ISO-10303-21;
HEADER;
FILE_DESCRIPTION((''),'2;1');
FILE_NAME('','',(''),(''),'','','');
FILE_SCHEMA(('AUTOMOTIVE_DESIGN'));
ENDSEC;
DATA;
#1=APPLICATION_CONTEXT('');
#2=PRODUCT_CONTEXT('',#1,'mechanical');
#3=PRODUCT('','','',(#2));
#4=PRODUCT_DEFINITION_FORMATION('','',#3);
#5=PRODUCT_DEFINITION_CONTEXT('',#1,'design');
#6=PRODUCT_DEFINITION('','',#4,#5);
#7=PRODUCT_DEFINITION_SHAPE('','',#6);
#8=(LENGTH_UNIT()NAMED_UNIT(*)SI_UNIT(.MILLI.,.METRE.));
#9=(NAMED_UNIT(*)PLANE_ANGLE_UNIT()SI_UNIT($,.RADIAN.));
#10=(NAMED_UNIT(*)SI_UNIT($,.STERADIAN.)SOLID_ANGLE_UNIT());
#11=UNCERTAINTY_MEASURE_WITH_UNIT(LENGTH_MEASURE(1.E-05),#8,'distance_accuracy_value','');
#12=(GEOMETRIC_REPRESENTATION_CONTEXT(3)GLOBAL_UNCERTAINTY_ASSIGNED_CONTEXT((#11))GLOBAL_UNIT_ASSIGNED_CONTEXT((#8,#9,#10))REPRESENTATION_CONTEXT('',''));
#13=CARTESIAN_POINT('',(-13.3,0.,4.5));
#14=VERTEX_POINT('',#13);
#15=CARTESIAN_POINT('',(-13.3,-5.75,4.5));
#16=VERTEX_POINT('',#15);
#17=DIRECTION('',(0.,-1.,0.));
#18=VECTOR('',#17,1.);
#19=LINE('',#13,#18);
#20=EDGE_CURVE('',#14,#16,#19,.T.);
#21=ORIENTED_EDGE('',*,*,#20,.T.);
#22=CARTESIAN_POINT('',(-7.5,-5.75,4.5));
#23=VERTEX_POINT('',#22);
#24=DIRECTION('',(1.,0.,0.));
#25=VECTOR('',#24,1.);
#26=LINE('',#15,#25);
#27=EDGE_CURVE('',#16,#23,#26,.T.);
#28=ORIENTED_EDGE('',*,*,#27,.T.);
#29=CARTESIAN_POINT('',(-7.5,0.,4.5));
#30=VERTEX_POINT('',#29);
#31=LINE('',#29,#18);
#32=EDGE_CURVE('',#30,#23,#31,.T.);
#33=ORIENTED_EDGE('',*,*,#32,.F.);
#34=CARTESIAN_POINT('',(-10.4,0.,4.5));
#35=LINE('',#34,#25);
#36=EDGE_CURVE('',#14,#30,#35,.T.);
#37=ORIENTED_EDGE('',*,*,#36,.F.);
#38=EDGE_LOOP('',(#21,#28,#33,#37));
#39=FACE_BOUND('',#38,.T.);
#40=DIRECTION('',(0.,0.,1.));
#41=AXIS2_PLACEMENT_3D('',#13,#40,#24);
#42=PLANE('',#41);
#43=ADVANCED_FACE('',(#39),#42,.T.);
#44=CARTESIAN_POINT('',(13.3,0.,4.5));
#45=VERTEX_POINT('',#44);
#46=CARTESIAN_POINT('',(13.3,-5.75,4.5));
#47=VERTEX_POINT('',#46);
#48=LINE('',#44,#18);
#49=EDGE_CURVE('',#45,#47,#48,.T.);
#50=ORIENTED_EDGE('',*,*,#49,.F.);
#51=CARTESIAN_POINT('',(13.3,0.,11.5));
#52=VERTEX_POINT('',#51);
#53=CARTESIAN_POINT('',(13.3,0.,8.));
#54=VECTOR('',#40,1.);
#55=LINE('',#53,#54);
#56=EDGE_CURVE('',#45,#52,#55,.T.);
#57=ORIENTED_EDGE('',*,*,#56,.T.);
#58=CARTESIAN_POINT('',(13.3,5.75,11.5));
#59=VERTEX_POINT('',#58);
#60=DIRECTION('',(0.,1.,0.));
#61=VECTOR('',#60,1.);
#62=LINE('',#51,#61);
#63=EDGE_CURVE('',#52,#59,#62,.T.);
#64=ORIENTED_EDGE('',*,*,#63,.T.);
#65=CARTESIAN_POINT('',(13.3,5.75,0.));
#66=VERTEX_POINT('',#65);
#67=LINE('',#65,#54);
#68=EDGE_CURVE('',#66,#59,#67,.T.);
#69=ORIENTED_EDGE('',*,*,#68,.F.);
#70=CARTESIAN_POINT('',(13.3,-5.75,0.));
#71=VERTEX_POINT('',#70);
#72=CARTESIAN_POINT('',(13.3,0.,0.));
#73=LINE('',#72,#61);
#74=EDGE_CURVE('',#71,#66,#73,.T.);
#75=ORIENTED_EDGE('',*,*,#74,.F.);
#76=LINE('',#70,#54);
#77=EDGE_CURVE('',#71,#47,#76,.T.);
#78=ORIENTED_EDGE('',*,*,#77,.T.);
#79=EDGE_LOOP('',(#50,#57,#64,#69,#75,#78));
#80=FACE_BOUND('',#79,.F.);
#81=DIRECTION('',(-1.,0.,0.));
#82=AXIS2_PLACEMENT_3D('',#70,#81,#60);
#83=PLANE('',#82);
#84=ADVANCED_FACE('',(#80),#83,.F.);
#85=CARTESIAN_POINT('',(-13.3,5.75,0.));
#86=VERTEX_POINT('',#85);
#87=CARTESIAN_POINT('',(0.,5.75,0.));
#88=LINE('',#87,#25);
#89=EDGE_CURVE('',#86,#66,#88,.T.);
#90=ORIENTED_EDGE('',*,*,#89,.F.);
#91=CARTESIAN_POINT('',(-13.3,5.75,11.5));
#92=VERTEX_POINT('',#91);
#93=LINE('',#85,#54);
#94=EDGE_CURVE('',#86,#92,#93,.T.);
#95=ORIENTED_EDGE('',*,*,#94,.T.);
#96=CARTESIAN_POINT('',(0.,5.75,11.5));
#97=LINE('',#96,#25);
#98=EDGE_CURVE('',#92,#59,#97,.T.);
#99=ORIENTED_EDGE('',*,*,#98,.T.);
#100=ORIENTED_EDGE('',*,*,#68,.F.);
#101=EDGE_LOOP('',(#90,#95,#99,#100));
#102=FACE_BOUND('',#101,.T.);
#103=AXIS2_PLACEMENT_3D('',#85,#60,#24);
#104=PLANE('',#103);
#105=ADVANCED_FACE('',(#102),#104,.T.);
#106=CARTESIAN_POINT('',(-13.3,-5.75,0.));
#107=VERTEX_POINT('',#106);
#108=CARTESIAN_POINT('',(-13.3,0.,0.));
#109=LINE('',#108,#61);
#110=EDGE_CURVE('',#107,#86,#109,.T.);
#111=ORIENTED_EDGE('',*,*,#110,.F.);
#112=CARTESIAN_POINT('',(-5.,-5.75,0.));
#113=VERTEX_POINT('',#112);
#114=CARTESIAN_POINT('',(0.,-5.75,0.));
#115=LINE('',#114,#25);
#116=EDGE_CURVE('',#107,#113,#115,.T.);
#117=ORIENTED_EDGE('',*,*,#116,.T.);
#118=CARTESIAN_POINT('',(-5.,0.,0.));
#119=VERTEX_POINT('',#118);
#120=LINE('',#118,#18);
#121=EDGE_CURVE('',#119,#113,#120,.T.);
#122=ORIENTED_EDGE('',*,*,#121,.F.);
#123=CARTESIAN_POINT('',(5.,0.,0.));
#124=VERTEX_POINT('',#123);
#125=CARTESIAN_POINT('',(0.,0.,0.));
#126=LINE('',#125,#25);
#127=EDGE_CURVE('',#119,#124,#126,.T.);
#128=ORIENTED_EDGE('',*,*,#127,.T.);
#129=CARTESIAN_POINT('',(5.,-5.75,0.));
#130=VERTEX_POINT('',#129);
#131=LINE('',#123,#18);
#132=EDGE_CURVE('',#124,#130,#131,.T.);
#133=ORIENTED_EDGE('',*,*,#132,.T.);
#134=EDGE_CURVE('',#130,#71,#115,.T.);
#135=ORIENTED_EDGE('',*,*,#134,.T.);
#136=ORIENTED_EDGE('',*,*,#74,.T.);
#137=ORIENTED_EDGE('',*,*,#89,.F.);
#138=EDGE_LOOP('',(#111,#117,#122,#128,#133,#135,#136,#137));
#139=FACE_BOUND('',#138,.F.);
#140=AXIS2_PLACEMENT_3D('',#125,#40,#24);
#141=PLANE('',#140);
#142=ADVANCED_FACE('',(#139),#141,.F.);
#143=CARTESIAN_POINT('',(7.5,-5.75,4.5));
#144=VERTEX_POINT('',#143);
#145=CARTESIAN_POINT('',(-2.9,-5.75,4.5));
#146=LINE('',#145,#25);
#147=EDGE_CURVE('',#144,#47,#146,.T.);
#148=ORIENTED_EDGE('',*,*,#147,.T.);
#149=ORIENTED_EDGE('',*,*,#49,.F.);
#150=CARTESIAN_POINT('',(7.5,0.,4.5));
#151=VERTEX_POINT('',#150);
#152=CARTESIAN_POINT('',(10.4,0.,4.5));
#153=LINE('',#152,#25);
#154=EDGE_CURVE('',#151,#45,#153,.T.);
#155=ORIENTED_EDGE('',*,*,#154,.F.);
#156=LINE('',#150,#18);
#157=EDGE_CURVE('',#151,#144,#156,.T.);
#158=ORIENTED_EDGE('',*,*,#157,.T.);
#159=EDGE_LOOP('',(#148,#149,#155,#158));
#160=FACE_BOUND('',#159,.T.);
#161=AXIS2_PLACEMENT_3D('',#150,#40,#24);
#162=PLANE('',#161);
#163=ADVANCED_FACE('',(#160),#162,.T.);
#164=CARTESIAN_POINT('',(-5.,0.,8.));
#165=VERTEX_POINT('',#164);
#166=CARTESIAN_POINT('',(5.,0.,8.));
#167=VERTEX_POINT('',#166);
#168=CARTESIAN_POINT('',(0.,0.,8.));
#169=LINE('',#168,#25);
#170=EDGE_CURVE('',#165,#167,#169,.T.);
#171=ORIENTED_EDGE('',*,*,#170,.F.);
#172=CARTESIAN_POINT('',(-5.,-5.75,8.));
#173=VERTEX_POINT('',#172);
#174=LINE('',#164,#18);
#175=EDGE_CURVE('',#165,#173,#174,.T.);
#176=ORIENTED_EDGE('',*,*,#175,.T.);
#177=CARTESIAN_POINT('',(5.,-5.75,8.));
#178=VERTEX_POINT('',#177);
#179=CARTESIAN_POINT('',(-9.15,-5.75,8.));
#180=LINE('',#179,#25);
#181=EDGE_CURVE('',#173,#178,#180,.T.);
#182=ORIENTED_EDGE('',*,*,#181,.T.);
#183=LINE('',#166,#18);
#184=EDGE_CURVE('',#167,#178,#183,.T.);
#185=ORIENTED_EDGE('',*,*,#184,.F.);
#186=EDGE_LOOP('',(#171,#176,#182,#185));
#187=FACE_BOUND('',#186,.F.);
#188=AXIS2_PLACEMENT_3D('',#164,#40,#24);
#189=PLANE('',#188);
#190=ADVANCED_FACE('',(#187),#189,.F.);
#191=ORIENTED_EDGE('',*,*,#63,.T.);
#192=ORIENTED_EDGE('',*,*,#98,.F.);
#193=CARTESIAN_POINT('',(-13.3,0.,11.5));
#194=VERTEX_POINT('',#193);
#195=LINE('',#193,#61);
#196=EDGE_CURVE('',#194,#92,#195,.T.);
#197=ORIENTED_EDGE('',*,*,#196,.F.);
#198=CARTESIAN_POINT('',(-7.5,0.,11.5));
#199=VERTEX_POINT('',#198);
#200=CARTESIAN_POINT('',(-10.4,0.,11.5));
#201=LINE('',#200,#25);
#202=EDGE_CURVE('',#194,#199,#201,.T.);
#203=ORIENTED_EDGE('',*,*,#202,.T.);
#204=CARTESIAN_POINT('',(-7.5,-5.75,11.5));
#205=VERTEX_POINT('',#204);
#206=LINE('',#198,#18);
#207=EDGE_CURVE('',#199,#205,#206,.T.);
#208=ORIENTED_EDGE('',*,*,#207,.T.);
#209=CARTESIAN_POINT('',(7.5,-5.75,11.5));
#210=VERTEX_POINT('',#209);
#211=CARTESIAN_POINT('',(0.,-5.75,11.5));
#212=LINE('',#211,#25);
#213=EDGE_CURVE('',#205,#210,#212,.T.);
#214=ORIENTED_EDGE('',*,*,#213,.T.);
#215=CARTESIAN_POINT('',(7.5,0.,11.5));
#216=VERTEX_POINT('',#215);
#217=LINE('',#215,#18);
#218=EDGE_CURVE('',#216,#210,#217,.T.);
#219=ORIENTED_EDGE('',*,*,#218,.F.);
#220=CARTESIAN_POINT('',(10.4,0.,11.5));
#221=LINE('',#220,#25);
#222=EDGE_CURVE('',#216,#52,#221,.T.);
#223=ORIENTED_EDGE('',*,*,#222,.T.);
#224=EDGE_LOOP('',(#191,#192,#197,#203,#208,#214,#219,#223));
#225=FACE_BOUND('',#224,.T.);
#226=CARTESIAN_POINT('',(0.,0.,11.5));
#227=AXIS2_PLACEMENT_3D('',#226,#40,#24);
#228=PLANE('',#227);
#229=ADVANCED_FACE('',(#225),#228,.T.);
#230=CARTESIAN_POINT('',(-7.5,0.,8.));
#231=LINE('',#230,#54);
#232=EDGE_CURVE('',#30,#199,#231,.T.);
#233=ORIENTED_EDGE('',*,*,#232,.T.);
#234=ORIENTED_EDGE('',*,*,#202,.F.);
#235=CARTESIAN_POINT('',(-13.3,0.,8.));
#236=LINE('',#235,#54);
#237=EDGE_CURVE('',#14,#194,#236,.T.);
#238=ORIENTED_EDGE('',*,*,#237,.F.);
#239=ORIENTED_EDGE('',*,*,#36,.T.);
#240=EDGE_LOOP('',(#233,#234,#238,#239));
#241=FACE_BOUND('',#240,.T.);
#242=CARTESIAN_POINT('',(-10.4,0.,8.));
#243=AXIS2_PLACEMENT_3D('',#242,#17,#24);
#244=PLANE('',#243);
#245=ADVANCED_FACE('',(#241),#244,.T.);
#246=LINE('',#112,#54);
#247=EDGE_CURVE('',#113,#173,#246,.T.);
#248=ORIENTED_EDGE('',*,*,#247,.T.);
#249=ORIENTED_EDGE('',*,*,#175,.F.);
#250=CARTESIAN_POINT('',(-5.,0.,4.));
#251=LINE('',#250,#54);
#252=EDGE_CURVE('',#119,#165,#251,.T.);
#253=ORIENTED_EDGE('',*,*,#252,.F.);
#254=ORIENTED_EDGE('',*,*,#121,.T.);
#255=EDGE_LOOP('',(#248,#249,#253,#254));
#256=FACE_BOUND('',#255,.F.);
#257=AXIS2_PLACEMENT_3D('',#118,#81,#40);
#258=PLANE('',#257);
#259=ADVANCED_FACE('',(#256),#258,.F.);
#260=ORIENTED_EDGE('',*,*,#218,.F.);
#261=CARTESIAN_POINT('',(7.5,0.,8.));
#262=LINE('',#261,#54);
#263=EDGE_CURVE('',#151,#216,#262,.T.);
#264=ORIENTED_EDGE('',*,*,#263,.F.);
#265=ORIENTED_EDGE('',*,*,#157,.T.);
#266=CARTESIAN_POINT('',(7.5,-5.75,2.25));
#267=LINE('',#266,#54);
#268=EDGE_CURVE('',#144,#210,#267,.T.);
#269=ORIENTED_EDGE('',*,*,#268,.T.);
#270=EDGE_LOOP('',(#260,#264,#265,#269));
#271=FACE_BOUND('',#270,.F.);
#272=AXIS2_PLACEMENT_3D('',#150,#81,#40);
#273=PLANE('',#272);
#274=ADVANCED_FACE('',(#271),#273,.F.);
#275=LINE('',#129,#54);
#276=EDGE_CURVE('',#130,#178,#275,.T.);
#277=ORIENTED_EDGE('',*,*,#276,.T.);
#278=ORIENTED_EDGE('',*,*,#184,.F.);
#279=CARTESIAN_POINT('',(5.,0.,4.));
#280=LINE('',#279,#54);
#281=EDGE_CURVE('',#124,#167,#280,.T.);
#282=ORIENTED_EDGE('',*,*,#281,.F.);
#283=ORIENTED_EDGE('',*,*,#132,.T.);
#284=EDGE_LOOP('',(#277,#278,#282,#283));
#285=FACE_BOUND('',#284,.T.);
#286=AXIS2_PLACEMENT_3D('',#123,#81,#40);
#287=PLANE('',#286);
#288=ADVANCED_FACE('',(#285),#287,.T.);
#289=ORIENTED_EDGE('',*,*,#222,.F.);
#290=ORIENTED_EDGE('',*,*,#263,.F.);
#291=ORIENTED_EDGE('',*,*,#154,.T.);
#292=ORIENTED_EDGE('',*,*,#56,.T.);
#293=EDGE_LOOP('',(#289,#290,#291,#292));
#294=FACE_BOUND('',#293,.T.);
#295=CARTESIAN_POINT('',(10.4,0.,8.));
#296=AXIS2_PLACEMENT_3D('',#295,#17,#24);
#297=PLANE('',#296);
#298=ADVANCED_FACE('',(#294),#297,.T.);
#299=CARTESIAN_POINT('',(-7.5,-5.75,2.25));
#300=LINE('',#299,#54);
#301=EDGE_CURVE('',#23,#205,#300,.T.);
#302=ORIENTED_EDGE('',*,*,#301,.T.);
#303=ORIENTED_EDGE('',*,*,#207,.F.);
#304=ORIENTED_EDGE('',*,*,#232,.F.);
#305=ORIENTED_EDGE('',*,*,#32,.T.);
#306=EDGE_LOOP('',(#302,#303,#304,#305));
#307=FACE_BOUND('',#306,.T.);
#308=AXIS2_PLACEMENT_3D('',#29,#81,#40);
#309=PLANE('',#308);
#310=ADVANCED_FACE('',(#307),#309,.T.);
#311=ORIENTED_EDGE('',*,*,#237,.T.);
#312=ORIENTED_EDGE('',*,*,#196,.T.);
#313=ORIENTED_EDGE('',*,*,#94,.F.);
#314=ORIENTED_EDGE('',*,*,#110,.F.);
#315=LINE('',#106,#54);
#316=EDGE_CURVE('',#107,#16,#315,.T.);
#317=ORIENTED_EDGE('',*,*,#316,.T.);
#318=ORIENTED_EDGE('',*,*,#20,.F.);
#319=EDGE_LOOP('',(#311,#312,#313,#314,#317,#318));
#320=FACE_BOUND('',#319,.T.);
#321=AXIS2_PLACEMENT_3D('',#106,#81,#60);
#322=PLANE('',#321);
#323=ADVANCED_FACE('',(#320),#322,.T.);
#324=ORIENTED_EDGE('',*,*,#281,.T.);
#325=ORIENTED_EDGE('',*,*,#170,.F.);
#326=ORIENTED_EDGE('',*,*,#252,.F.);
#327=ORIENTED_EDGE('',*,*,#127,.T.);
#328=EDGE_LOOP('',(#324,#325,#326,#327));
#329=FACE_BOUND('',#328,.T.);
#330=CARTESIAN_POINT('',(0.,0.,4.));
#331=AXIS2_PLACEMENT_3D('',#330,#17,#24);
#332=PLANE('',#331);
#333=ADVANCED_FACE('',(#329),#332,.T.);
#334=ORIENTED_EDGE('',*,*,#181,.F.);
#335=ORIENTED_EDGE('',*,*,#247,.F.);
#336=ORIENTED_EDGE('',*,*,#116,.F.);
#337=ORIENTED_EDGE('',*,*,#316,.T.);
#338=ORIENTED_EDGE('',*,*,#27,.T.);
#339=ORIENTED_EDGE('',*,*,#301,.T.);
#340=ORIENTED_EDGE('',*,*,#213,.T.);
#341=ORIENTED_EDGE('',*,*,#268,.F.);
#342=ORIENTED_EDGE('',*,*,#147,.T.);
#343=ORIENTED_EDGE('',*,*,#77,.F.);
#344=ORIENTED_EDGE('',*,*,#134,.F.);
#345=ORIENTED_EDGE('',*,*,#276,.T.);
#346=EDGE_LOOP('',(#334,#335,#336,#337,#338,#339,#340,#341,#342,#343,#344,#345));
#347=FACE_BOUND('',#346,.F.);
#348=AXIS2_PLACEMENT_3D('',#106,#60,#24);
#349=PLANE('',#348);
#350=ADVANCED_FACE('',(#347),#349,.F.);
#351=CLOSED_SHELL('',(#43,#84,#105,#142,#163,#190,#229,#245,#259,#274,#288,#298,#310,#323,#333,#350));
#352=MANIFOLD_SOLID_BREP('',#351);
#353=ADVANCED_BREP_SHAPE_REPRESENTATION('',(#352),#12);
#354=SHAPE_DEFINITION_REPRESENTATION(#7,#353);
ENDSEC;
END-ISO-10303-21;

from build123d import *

# Parameters (mm, degrees)
F0_W     = 26.6
F0_H     = 11.5
F1_DEPTH = 11.5
F2_W     = 5.8
F2_H     = 7
F2_W_2   = 10
F2_H_2   = 8
F3_DEPTH = 5.751


with BuildPart() as f1:
    # F0 (on Top) → F1 (new body)
    with BuildSketch(Plane.XY):
        Rectangle(F0_W, F0_H)
    extrude(amount=F1_DEPTH)

    # F2 (on Front) → F3 (cut, through all)
    with BuildSketch(Plane.XZ):
        with Locations((-10.4, 8)):
            Rectangle(F2_W, F2_H)
        with Locations((10.4, 8)):
            Rectangle(F2_W, F2_H)
        with Locations((0, 4)):
            Rectangle(F2_W_2, F2_H_2)
    extrude(amount=F3_DEPTH, mode=Mode.SUBTRACT)


solid = f1.part
